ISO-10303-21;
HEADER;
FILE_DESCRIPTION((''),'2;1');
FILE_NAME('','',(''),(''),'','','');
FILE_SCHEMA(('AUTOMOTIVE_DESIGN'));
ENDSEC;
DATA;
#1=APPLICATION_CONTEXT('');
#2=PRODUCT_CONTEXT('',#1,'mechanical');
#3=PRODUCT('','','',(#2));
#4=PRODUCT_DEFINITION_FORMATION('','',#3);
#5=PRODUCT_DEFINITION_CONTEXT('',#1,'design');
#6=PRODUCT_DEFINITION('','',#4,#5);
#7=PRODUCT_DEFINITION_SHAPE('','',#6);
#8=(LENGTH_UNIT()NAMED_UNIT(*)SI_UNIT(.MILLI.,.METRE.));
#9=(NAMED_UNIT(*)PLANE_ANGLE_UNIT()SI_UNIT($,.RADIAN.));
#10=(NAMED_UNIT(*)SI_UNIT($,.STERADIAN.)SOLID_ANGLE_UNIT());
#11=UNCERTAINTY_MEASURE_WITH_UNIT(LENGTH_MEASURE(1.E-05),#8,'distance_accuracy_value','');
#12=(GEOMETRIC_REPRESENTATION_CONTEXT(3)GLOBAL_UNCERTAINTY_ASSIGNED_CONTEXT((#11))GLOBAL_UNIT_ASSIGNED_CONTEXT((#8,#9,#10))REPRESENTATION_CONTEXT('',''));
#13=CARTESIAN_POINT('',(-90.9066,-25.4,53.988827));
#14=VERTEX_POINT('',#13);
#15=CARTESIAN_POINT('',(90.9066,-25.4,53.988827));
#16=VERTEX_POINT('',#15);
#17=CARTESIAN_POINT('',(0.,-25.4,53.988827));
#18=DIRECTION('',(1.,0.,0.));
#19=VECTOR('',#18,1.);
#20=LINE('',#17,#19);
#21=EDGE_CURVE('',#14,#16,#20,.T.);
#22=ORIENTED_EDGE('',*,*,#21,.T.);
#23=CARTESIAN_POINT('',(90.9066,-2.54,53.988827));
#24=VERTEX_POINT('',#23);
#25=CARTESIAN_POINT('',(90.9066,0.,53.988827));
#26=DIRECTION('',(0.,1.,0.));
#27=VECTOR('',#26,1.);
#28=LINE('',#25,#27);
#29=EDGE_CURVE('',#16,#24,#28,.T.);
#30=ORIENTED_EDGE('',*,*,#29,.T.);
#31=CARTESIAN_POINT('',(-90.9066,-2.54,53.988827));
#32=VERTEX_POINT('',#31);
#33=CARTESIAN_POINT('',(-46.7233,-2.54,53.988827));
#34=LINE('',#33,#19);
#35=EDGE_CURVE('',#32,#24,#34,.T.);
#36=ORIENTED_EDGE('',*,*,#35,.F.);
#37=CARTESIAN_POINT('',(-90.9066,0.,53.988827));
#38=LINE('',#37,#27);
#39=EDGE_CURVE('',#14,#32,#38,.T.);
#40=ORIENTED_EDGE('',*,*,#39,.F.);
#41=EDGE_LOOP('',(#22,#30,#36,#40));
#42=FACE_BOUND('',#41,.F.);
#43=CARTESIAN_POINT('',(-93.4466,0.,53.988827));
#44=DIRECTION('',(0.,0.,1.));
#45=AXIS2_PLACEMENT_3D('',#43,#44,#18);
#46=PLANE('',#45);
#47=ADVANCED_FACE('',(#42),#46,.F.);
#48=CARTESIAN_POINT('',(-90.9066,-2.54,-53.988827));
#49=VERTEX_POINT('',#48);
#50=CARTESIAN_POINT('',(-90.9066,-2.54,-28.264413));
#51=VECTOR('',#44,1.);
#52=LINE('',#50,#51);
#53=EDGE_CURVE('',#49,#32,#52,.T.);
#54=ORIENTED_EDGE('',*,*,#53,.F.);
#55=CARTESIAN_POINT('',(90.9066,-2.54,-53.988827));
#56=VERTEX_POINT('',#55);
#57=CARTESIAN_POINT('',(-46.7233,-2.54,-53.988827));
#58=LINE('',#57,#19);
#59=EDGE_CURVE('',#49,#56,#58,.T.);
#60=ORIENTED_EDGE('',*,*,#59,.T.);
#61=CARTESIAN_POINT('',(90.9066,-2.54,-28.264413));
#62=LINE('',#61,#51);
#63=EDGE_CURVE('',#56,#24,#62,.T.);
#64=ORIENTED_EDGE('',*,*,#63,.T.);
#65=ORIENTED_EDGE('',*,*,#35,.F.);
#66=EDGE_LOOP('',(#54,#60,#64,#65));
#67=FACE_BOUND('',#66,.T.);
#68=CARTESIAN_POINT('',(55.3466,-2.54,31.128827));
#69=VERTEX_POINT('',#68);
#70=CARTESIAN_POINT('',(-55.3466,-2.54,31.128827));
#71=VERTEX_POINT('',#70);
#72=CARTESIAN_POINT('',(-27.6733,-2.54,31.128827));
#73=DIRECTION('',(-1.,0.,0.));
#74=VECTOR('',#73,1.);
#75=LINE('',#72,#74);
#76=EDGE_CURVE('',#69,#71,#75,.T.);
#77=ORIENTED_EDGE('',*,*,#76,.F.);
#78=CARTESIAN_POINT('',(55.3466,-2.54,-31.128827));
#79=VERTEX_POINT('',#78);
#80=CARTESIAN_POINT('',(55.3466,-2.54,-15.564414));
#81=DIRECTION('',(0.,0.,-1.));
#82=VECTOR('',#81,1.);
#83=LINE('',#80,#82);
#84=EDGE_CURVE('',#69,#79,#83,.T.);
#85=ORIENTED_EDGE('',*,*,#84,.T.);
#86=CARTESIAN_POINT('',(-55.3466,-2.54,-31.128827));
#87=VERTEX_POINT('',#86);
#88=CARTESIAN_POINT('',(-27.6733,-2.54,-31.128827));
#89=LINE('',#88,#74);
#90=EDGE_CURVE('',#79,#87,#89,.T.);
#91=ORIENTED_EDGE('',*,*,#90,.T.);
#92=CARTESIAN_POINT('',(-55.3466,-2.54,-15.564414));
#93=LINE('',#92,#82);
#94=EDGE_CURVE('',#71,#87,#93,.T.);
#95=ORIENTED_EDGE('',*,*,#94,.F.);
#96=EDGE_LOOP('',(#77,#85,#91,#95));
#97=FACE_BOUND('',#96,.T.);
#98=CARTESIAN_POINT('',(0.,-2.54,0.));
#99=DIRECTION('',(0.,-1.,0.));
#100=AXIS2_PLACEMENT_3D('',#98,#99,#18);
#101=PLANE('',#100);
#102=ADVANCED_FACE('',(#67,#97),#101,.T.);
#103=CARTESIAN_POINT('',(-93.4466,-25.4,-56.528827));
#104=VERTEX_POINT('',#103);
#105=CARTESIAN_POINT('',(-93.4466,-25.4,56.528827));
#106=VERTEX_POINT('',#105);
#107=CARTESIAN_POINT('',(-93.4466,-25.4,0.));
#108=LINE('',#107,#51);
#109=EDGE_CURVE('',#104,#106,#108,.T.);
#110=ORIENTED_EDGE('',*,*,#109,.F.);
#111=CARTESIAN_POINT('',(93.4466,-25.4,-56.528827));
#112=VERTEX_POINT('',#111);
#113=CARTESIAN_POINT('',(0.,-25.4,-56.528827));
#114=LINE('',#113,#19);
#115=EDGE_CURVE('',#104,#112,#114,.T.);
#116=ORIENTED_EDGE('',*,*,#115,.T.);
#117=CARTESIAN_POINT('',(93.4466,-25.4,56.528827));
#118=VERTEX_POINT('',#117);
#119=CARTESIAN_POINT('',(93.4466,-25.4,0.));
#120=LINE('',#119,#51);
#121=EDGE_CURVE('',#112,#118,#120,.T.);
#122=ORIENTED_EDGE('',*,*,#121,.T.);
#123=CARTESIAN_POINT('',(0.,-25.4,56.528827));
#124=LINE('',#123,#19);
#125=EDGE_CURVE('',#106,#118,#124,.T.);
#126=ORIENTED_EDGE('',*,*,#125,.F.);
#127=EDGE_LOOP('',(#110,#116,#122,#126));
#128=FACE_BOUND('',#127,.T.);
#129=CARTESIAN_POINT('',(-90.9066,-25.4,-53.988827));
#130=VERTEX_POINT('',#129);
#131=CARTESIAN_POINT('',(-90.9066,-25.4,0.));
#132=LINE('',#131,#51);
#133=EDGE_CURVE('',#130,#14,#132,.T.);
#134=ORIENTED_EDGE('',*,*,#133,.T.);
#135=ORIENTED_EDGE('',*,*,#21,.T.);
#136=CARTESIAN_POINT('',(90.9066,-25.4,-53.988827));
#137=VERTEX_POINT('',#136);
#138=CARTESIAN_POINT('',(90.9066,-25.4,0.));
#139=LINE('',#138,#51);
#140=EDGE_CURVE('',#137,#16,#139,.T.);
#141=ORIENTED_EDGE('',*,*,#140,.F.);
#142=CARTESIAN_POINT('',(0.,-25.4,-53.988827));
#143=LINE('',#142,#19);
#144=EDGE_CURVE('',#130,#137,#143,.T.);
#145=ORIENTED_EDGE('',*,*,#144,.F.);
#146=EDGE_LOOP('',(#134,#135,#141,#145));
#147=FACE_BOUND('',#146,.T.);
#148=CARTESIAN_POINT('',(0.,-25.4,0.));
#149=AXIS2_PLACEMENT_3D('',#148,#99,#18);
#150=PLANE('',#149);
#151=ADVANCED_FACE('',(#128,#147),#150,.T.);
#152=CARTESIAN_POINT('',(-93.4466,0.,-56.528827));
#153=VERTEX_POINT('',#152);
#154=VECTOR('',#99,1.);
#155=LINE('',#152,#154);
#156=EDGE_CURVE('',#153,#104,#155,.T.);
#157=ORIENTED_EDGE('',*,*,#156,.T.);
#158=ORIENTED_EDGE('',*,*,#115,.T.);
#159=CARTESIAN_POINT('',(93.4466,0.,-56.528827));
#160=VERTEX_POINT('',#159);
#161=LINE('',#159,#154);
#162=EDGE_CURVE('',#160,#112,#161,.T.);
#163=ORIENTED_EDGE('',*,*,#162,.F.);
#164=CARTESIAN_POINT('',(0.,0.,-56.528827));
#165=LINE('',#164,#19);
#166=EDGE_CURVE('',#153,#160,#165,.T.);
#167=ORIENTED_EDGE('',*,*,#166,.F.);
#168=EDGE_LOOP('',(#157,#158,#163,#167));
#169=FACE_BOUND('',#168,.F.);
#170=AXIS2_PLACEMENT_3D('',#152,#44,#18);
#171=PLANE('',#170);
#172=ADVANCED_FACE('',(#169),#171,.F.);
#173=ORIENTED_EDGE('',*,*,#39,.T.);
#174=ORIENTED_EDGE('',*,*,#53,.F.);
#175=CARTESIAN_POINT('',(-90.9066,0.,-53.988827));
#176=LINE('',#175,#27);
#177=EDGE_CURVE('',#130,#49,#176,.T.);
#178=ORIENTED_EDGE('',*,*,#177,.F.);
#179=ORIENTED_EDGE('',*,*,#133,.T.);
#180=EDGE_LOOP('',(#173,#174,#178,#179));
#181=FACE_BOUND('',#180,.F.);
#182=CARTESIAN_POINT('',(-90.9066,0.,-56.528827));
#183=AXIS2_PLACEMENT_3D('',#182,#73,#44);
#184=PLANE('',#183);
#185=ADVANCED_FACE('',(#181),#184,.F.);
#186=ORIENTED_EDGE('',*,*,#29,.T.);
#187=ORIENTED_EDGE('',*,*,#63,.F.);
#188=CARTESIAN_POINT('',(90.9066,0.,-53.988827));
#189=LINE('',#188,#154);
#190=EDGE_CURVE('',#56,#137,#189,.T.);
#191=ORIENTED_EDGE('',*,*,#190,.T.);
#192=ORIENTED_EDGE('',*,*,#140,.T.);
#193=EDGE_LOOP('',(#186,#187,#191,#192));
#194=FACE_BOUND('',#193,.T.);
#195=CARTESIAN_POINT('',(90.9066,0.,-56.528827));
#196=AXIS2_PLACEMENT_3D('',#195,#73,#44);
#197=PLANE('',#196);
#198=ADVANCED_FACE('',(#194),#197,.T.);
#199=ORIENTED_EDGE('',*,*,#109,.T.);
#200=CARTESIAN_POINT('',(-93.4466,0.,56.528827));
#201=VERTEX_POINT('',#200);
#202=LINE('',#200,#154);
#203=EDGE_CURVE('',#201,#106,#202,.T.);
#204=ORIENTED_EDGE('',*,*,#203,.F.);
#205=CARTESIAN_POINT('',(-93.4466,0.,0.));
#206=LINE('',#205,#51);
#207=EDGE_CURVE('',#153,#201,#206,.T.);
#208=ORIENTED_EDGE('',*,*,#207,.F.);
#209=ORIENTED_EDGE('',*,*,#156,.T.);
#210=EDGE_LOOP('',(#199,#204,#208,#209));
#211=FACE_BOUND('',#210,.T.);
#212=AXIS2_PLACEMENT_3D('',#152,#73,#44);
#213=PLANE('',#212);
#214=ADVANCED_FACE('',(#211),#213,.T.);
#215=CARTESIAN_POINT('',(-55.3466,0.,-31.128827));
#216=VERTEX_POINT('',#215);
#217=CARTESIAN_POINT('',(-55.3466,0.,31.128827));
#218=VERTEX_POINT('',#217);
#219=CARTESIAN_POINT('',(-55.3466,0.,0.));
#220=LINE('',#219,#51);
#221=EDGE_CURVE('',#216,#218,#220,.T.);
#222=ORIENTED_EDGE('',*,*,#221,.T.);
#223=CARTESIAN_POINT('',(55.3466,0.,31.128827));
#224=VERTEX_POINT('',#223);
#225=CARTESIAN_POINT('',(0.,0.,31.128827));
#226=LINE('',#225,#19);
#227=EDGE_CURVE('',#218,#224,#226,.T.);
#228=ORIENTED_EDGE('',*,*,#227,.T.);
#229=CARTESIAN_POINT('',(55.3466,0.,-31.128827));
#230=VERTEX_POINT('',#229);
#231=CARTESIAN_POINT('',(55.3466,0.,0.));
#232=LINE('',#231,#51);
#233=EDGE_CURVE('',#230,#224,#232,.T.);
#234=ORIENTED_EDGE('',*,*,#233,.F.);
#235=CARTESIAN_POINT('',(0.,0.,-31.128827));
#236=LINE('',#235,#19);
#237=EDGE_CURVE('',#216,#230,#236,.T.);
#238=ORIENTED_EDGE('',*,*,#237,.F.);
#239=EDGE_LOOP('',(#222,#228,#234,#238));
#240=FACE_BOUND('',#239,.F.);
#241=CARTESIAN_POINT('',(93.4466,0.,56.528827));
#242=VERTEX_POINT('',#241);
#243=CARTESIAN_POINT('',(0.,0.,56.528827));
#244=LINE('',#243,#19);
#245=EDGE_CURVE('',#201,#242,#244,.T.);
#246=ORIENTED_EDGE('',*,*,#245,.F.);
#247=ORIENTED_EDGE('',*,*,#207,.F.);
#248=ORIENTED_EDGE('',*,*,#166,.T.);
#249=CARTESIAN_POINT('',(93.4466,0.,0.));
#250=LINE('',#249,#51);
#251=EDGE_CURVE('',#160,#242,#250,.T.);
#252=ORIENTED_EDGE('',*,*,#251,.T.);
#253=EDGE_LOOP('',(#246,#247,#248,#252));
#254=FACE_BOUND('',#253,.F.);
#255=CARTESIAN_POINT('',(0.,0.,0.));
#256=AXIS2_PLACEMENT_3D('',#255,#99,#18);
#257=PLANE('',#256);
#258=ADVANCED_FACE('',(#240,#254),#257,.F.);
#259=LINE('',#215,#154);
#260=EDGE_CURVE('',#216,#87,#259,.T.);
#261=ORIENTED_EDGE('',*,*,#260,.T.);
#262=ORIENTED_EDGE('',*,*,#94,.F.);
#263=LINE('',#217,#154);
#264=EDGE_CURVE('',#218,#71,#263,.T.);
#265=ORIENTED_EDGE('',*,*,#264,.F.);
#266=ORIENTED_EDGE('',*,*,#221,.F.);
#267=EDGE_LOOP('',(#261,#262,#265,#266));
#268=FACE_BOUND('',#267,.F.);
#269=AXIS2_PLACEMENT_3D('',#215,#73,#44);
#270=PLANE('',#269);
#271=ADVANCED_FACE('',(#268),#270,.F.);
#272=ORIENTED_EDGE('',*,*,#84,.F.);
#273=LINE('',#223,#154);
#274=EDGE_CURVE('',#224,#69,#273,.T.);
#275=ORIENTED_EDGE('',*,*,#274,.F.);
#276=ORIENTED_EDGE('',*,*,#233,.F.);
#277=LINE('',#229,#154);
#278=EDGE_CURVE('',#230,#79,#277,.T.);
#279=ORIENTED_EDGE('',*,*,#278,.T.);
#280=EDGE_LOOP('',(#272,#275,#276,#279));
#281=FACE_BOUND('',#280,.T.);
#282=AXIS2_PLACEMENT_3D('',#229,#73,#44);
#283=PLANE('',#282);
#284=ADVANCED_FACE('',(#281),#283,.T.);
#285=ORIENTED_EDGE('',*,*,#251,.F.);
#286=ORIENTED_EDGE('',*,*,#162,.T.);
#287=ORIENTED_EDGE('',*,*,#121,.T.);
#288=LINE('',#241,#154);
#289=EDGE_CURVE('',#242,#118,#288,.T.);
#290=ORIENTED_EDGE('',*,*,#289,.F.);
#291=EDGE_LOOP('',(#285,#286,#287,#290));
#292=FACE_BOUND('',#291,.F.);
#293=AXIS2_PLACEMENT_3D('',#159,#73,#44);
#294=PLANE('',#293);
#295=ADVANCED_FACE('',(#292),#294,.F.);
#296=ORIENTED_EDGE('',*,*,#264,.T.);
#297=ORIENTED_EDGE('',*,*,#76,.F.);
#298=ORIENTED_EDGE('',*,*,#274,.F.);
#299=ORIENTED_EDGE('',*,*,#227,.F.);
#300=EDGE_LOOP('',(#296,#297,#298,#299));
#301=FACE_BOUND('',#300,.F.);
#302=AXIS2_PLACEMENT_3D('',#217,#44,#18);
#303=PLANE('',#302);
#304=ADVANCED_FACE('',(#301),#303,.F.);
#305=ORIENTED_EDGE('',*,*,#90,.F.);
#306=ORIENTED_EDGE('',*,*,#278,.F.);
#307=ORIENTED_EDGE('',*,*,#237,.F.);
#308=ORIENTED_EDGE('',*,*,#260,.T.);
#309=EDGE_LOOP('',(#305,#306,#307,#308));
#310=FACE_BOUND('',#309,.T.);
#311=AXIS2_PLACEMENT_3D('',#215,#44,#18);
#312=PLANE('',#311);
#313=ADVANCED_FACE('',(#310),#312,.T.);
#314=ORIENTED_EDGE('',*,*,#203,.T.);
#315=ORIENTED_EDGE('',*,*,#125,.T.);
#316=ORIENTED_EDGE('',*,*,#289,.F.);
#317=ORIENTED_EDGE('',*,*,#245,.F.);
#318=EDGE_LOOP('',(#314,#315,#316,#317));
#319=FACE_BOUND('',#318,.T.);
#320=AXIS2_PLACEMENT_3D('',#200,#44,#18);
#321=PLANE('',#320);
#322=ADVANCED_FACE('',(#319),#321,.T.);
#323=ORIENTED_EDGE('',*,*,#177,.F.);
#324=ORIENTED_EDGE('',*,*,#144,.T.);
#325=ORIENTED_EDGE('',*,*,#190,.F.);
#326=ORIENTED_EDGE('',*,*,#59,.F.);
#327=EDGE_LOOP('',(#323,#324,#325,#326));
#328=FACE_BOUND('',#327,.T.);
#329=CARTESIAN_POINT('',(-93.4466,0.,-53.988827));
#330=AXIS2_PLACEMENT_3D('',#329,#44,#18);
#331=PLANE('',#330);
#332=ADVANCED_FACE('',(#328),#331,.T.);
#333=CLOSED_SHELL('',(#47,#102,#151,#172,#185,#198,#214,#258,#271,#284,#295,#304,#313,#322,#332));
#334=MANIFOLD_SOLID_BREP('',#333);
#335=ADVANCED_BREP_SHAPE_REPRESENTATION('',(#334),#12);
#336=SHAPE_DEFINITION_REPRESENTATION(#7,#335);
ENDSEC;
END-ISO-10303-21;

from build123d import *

# Parameters (mm, degrees)
F1_W     = 186.8932
F1_H     = 113.057654
F2_DEPTH = 25.4
F3_T     = -2.54
F0_W     = 110.6932
F0_H     = 62.257654
F4_DEPTH = 25.401


with BuildPart() as f2:
    # F1 (on Front) → F2 (new body)
    with BuildSketch(Plane.XZ):
        Rectangle(F1_W, F1_H)
    extrude(amount=F2_DEPTH)

    # F3
    f3_openings = [f2.faces().sort_by_distance(p)[0] for p in [
        (0, -25.4, 0),
    ]]
    offset(amount=F3_T, openings=f3_openings)

    # F0 (on Front) → F4 (cut, through all)
    with BuildSketch(Plane.XZ):
        Rectangle(F0_W, F0_H)
    extrude(amount=F4_DEPTH, mode=Mode.SUBTRACT)


solid = f2.part
